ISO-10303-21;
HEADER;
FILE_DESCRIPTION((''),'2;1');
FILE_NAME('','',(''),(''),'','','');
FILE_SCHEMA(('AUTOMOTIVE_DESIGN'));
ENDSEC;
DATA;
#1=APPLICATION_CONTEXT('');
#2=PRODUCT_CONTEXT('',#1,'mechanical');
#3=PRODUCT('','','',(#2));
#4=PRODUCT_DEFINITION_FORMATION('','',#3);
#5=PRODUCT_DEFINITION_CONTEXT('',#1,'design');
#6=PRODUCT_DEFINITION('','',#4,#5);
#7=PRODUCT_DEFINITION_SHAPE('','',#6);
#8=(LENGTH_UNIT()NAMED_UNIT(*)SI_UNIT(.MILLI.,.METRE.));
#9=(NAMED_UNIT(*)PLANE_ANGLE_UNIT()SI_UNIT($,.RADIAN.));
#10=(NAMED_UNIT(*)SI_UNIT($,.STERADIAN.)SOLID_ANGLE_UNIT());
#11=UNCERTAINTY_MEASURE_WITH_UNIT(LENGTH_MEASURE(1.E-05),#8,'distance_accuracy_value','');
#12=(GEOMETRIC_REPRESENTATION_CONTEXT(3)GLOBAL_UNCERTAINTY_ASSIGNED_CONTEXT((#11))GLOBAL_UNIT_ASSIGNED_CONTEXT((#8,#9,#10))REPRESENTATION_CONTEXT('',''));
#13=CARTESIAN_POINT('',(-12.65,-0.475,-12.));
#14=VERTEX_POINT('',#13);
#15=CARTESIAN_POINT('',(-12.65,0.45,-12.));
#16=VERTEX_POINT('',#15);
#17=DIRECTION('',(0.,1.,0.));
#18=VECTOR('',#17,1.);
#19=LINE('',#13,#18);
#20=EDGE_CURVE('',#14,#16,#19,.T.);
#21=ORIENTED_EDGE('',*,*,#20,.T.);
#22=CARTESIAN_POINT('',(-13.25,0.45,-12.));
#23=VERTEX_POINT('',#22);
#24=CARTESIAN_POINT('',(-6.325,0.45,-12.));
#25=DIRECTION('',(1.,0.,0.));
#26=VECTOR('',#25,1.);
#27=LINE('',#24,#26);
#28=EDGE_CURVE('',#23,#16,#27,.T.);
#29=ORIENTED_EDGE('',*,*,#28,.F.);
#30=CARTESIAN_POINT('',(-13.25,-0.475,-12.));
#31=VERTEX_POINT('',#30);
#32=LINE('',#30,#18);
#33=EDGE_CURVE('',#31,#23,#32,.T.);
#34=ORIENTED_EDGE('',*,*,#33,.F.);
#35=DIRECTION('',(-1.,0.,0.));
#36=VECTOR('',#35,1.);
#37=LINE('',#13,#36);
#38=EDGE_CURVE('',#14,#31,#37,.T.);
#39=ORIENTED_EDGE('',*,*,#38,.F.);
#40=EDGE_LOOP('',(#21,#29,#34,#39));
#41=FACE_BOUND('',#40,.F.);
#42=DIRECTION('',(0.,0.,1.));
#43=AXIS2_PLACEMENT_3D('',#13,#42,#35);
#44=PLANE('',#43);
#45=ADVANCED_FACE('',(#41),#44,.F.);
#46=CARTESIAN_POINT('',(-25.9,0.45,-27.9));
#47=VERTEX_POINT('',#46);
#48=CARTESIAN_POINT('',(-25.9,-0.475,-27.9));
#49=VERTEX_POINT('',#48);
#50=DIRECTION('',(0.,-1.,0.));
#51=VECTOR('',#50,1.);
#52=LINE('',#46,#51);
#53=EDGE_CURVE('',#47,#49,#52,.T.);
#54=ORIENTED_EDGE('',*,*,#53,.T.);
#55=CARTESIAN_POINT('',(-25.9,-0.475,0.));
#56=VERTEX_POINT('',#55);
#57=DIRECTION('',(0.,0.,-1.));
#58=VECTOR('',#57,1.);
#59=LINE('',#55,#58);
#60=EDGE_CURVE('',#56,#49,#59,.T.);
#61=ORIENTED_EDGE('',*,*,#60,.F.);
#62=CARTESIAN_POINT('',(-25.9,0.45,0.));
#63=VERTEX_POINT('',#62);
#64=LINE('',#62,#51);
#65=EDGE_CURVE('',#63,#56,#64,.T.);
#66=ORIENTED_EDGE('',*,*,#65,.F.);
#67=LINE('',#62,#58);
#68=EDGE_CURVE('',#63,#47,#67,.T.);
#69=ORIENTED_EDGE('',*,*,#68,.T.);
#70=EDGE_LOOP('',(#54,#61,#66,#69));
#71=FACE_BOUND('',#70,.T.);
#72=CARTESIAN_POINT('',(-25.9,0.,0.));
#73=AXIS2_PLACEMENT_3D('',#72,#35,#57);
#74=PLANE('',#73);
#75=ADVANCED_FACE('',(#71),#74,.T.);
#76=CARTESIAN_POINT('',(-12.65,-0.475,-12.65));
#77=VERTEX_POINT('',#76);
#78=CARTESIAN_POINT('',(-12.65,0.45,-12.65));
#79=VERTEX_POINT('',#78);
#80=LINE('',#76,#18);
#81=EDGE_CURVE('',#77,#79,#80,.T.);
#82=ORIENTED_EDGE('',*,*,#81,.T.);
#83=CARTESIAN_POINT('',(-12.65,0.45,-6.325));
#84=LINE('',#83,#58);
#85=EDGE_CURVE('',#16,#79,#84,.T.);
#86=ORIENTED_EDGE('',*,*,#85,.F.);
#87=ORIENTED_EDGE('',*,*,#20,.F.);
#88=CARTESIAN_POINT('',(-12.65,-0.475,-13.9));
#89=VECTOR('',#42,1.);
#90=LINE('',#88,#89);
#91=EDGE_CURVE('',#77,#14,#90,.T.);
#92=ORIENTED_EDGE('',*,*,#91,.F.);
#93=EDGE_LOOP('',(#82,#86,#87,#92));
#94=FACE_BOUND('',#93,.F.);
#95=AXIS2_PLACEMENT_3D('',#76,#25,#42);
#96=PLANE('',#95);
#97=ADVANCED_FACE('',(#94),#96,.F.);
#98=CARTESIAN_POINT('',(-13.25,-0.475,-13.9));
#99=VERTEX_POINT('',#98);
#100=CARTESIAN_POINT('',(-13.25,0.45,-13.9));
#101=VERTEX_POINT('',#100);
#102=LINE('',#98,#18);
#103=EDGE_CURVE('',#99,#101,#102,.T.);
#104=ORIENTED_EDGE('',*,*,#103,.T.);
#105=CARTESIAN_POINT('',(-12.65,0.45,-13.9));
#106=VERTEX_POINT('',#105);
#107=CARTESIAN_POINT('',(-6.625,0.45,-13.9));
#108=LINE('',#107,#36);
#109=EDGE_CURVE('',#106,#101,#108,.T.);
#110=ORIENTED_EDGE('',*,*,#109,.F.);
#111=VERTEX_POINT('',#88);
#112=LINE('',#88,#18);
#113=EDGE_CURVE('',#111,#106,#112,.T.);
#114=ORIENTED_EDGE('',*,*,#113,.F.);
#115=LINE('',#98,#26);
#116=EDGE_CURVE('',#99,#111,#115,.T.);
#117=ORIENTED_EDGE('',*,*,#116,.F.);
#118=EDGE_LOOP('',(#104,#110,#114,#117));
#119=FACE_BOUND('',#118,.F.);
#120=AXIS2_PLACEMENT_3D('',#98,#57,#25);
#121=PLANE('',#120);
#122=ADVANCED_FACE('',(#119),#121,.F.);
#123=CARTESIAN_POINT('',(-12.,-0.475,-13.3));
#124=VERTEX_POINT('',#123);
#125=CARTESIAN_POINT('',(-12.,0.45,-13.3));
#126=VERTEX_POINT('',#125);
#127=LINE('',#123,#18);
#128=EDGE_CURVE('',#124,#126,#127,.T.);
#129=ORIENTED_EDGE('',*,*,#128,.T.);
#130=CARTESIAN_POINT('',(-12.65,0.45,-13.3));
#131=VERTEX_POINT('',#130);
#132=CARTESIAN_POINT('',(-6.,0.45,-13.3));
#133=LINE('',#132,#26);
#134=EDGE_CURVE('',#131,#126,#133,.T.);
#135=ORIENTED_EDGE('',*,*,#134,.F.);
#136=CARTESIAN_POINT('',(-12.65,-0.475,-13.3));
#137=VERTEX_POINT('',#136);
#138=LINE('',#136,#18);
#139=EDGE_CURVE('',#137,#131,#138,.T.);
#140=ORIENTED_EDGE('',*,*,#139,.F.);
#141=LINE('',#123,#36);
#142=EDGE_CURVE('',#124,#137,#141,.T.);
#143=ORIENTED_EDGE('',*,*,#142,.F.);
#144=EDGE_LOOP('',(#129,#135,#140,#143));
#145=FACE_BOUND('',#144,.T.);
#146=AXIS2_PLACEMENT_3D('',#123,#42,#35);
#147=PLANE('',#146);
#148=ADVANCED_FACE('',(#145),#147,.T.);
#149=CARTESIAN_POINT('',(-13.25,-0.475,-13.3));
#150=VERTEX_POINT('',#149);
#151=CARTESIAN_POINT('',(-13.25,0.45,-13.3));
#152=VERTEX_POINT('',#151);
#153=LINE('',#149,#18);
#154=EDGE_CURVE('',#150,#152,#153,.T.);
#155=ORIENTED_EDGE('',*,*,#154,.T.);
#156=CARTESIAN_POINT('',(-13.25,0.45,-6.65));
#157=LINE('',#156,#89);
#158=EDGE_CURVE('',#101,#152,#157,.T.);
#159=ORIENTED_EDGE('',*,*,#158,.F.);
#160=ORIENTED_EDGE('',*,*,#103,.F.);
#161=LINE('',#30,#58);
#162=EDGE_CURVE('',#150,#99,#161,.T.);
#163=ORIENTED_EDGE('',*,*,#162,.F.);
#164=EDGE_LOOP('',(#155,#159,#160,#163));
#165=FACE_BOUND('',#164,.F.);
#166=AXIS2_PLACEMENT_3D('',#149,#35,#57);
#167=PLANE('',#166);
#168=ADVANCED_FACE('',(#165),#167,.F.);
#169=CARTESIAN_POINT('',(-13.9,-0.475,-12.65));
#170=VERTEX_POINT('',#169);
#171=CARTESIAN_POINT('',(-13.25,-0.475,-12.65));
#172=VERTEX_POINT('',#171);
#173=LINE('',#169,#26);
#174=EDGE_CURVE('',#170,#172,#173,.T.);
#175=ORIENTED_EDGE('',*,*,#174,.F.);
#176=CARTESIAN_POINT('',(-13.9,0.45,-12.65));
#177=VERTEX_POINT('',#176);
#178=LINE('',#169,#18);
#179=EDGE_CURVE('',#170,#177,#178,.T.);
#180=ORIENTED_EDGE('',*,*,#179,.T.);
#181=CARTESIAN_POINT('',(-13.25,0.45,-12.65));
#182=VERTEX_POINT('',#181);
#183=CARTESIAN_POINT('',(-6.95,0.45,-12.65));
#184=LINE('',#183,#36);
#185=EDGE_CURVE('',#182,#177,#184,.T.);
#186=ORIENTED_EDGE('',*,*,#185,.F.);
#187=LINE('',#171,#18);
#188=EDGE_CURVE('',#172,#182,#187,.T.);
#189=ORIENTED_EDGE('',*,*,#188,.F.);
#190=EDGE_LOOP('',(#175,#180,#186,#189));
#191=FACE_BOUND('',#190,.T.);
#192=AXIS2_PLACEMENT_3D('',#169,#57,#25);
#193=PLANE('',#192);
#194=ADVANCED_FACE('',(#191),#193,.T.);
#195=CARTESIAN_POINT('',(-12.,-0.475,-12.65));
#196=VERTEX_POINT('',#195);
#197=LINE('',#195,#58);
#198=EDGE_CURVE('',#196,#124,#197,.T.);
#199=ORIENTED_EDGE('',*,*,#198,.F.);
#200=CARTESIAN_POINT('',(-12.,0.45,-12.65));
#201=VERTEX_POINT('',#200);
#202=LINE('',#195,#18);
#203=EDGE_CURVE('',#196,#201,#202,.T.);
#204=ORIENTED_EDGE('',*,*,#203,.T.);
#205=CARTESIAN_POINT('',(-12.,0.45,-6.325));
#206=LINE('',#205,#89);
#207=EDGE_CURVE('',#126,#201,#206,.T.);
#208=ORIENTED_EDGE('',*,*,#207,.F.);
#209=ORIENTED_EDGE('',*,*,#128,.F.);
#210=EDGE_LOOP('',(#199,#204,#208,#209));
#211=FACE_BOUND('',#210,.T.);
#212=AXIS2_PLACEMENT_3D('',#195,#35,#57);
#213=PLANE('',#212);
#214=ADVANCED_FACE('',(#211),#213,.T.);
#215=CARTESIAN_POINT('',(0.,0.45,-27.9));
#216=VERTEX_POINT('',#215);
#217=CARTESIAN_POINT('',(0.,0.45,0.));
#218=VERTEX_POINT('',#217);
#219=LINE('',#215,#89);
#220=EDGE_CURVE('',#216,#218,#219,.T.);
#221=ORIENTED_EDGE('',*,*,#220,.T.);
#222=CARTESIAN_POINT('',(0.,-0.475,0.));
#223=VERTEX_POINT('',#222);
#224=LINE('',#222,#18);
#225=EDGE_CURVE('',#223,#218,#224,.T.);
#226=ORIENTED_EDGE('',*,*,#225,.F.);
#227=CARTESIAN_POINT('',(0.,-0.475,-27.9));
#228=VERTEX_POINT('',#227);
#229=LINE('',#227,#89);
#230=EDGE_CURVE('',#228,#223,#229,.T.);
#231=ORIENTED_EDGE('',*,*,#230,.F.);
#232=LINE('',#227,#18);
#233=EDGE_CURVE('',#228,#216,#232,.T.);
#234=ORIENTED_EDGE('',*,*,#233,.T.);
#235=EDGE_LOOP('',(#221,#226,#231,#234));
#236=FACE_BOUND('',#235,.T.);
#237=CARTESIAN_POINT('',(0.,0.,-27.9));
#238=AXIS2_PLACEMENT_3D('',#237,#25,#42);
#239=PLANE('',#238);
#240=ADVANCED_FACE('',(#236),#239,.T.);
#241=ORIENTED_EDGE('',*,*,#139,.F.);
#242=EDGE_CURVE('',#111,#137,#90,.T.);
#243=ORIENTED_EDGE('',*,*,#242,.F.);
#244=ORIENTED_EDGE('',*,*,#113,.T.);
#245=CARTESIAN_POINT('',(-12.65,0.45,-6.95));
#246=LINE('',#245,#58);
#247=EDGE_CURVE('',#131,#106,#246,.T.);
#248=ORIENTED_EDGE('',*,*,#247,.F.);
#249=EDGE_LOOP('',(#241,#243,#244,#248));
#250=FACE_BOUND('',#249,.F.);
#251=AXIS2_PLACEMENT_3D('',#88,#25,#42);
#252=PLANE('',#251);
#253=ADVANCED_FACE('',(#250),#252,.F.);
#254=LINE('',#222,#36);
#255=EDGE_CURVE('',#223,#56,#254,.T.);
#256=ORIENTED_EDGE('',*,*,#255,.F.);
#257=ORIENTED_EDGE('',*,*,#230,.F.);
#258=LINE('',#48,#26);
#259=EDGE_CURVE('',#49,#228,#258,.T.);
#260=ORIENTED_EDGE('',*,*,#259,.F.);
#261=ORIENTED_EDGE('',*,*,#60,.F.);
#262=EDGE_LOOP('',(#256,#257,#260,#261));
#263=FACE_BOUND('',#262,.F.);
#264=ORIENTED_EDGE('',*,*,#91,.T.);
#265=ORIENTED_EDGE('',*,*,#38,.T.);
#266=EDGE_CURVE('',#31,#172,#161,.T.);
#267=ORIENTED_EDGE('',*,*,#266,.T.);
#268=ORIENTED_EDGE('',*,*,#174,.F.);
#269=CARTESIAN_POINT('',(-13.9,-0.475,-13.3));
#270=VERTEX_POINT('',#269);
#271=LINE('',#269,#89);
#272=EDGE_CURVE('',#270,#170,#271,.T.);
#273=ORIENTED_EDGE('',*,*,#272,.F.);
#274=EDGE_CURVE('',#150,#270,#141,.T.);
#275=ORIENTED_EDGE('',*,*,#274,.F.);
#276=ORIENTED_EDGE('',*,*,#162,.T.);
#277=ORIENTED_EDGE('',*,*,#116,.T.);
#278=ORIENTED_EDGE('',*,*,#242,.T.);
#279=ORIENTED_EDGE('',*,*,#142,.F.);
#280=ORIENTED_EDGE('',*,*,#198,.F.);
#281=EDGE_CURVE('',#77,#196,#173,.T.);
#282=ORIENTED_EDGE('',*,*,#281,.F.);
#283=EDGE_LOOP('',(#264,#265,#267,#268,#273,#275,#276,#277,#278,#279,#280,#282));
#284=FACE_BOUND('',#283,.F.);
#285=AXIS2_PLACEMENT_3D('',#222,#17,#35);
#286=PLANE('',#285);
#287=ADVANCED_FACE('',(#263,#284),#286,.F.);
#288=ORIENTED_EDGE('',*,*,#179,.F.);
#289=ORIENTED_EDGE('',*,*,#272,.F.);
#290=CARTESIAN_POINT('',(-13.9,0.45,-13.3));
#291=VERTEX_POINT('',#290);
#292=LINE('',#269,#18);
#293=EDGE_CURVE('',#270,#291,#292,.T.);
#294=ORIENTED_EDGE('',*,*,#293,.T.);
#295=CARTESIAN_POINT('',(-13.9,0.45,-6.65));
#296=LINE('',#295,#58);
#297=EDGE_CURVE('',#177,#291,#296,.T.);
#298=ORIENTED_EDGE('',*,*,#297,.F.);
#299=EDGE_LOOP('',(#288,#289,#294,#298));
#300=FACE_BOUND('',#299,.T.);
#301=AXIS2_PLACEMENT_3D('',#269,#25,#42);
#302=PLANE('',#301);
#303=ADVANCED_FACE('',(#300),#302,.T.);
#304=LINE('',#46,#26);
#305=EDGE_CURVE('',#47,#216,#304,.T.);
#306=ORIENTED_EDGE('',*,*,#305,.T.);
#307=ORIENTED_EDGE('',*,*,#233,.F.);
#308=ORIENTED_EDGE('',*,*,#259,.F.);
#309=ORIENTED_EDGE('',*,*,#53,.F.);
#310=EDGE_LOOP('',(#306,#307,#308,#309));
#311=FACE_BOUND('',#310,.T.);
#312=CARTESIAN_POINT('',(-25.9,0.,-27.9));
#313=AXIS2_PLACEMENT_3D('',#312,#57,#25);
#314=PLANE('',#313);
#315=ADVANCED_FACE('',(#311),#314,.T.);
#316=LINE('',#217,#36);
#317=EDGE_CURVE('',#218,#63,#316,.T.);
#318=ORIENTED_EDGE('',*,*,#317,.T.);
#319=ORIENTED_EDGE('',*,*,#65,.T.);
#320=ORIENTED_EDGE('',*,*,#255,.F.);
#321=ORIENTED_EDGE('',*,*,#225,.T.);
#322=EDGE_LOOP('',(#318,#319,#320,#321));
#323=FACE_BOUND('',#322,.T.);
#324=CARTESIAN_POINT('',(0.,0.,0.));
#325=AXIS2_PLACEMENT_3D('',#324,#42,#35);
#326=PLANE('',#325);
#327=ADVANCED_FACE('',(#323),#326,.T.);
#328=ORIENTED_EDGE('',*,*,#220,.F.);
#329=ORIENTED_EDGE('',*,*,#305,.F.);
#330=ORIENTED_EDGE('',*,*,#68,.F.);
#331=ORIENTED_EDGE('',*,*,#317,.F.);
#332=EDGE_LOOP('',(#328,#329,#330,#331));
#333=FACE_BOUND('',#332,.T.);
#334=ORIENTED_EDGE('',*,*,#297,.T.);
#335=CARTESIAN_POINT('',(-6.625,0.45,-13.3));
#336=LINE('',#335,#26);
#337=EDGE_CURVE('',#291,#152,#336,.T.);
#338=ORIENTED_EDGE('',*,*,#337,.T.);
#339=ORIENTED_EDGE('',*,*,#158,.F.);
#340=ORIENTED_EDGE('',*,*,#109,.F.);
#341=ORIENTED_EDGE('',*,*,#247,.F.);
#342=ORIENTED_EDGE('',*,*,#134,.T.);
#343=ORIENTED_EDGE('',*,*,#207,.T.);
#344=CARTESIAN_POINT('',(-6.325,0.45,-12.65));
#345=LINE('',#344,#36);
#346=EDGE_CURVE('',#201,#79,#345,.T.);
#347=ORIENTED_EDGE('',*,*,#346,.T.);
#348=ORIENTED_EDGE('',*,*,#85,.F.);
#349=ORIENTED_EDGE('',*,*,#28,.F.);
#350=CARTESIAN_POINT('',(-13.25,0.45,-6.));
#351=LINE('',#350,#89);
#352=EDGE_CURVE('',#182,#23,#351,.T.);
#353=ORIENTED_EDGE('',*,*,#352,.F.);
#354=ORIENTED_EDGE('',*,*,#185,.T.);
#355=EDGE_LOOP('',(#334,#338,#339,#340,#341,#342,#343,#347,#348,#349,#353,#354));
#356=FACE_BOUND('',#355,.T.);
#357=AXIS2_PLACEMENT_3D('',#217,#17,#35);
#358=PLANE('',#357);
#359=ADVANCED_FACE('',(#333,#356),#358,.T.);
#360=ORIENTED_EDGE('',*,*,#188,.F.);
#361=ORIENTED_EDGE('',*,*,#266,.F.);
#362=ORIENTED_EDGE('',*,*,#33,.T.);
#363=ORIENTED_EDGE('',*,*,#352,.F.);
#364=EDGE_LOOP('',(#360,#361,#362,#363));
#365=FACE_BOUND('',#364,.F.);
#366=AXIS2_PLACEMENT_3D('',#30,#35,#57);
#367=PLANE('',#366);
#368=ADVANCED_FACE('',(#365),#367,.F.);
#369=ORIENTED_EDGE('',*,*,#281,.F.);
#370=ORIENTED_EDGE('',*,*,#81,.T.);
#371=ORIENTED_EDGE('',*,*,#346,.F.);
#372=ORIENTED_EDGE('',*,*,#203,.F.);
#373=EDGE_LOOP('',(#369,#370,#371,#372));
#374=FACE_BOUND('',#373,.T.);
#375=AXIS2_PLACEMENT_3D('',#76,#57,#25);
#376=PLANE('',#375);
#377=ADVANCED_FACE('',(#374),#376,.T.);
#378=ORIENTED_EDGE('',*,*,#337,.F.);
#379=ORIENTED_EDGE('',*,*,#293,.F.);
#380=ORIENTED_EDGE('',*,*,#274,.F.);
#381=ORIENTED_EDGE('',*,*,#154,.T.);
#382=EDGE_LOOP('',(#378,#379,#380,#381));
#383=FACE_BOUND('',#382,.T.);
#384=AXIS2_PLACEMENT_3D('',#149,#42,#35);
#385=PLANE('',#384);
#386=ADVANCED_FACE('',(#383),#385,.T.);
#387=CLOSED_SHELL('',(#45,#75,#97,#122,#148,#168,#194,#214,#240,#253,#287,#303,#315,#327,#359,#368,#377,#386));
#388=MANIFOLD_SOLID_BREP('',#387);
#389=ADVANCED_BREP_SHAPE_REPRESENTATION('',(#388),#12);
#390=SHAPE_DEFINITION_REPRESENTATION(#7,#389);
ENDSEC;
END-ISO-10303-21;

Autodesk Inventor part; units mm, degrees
ref_plane "YZ Plane" through (0, 0, 0) normal (1, 0, 0) x (0, 1, 0)
ref_plane "XZ Plane" through (0, 0, 0) normal (0, 1, 0) x (-1, 0, 0)
ref_plane "XY Plane" through (0, 0, 0) normal (0, 0, 1) x (1, 0, 0)
sketch "Esquisse1" plane through (0, 0, 0) normal (0, 1, 0) x (-1, 0, 0)
  line L0 (0, 0) -> (25.9, 0)
  line L1 (25.9, 0) -> (25.9, -27.9)
  line L2 (25.9, -27.9) -> (0, -27.9)
  line L3 (0, -27.9) -> (0, 0)
  dimension "d0" = 27.9
  dimension "d1" = 25.9
extrude "Extrusion1" add sketch "Esquisse1" along normal blind 0.45 and the other way blind 0.475
sketch "Esquisse5" plane through (0, -0.475, 0) normal (0, -1, 0) x (1, 0, 0)
  line L0 (-12.65, -12) -> (-13.25, -12)
  line L1 (-13.25, -12) -> (-13.25, -13.9)
  line L2 (-13.25, -13.9) -> (-12.65, -13.9)
  line L3 (-12.65, -13.9) -> (-12.65, -12)
  line L4 (-13.9, -12.65) -> (-12, -12.65)
  line L5 (-12, -12.65) -> (-12, -13.3)
  line L6 (-12, -13.3) -> (-13.9, -13.3)
  line L7 (-13.9, -13.3) -> (-13.9, -12.65)
  line L8 (0, 0) -> (-25.9, 0) projected
  line L9 (0, -27.9) -> (0, 0) projected
  dimension "d18" = 0.65
  dimension "d19" = 0.6
  dimension "d20" = 1.9
  dimension "d21" = 1.9
  dimension "d22" = 0.65
  dimension "d23" = 0.65
  dimension "d24" = 12.65
  dimension "d25" = 12.65
extrude "Extrusion3" cut sketch "Esquisse5" against normal blind 1000
properties part number "socle"
